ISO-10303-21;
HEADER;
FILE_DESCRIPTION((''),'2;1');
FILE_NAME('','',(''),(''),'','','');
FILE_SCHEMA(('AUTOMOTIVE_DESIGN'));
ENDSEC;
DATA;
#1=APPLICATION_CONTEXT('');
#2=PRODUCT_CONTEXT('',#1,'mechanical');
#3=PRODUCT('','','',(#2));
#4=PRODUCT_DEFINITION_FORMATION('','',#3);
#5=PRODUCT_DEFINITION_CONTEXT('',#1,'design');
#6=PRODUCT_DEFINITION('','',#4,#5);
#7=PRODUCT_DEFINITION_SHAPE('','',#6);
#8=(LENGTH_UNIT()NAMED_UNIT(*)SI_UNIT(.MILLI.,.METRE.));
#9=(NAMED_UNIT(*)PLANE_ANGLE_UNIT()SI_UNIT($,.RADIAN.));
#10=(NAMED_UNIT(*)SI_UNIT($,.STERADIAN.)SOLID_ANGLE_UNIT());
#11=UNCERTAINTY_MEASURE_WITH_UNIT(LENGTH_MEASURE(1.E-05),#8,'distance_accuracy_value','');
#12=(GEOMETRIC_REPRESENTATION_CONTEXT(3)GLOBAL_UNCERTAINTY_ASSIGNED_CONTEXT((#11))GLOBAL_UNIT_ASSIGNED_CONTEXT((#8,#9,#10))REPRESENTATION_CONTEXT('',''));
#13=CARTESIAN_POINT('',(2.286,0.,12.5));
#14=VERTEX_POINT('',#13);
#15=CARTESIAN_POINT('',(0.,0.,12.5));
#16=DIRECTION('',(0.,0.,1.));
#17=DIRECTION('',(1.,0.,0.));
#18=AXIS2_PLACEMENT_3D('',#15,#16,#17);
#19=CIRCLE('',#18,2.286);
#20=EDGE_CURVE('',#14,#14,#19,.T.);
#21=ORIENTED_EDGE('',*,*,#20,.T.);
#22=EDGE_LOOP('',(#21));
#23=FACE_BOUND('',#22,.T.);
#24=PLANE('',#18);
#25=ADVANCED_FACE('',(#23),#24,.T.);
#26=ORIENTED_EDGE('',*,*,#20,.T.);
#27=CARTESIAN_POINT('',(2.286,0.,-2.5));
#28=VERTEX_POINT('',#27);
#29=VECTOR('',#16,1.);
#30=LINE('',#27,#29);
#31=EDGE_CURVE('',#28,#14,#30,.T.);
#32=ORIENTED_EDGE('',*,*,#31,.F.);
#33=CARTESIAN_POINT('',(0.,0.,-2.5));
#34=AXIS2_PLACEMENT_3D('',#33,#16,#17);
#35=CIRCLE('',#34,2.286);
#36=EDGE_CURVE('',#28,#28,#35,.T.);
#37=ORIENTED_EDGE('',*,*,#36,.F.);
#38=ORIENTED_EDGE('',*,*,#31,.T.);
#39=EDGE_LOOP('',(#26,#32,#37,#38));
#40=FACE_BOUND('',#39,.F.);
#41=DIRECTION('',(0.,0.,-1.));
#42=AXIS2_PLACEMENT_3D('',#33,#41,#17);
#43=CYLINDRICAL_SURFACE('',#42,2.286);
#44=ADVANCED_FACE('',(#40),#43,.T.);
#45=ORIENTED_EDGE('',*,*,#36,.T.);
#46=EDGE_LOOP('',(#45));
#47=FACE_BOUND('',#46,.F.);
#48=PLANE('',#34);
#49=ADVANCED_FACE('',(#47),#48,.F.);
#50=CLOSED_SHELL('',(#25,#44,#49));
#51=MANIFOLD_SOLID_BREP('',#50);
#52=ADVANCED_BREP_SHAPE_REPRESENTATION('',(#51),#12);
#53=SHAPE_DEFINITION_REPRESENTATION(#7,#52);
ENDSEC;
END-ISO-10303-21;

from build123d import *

# Parameters (mm, degrees)
CYLINDER_R     = 2.286
CYLINDER_DEPTH = 15


with BuildPart() as part:
    # Cylinder → Cylinder (new body)
    with BuildSketch(Plane.XY.offset(-2.5)):
        Circle(CYLINDER_R)
    extrude(amount=CYLINDER_DEPTH)


solid = part.part
